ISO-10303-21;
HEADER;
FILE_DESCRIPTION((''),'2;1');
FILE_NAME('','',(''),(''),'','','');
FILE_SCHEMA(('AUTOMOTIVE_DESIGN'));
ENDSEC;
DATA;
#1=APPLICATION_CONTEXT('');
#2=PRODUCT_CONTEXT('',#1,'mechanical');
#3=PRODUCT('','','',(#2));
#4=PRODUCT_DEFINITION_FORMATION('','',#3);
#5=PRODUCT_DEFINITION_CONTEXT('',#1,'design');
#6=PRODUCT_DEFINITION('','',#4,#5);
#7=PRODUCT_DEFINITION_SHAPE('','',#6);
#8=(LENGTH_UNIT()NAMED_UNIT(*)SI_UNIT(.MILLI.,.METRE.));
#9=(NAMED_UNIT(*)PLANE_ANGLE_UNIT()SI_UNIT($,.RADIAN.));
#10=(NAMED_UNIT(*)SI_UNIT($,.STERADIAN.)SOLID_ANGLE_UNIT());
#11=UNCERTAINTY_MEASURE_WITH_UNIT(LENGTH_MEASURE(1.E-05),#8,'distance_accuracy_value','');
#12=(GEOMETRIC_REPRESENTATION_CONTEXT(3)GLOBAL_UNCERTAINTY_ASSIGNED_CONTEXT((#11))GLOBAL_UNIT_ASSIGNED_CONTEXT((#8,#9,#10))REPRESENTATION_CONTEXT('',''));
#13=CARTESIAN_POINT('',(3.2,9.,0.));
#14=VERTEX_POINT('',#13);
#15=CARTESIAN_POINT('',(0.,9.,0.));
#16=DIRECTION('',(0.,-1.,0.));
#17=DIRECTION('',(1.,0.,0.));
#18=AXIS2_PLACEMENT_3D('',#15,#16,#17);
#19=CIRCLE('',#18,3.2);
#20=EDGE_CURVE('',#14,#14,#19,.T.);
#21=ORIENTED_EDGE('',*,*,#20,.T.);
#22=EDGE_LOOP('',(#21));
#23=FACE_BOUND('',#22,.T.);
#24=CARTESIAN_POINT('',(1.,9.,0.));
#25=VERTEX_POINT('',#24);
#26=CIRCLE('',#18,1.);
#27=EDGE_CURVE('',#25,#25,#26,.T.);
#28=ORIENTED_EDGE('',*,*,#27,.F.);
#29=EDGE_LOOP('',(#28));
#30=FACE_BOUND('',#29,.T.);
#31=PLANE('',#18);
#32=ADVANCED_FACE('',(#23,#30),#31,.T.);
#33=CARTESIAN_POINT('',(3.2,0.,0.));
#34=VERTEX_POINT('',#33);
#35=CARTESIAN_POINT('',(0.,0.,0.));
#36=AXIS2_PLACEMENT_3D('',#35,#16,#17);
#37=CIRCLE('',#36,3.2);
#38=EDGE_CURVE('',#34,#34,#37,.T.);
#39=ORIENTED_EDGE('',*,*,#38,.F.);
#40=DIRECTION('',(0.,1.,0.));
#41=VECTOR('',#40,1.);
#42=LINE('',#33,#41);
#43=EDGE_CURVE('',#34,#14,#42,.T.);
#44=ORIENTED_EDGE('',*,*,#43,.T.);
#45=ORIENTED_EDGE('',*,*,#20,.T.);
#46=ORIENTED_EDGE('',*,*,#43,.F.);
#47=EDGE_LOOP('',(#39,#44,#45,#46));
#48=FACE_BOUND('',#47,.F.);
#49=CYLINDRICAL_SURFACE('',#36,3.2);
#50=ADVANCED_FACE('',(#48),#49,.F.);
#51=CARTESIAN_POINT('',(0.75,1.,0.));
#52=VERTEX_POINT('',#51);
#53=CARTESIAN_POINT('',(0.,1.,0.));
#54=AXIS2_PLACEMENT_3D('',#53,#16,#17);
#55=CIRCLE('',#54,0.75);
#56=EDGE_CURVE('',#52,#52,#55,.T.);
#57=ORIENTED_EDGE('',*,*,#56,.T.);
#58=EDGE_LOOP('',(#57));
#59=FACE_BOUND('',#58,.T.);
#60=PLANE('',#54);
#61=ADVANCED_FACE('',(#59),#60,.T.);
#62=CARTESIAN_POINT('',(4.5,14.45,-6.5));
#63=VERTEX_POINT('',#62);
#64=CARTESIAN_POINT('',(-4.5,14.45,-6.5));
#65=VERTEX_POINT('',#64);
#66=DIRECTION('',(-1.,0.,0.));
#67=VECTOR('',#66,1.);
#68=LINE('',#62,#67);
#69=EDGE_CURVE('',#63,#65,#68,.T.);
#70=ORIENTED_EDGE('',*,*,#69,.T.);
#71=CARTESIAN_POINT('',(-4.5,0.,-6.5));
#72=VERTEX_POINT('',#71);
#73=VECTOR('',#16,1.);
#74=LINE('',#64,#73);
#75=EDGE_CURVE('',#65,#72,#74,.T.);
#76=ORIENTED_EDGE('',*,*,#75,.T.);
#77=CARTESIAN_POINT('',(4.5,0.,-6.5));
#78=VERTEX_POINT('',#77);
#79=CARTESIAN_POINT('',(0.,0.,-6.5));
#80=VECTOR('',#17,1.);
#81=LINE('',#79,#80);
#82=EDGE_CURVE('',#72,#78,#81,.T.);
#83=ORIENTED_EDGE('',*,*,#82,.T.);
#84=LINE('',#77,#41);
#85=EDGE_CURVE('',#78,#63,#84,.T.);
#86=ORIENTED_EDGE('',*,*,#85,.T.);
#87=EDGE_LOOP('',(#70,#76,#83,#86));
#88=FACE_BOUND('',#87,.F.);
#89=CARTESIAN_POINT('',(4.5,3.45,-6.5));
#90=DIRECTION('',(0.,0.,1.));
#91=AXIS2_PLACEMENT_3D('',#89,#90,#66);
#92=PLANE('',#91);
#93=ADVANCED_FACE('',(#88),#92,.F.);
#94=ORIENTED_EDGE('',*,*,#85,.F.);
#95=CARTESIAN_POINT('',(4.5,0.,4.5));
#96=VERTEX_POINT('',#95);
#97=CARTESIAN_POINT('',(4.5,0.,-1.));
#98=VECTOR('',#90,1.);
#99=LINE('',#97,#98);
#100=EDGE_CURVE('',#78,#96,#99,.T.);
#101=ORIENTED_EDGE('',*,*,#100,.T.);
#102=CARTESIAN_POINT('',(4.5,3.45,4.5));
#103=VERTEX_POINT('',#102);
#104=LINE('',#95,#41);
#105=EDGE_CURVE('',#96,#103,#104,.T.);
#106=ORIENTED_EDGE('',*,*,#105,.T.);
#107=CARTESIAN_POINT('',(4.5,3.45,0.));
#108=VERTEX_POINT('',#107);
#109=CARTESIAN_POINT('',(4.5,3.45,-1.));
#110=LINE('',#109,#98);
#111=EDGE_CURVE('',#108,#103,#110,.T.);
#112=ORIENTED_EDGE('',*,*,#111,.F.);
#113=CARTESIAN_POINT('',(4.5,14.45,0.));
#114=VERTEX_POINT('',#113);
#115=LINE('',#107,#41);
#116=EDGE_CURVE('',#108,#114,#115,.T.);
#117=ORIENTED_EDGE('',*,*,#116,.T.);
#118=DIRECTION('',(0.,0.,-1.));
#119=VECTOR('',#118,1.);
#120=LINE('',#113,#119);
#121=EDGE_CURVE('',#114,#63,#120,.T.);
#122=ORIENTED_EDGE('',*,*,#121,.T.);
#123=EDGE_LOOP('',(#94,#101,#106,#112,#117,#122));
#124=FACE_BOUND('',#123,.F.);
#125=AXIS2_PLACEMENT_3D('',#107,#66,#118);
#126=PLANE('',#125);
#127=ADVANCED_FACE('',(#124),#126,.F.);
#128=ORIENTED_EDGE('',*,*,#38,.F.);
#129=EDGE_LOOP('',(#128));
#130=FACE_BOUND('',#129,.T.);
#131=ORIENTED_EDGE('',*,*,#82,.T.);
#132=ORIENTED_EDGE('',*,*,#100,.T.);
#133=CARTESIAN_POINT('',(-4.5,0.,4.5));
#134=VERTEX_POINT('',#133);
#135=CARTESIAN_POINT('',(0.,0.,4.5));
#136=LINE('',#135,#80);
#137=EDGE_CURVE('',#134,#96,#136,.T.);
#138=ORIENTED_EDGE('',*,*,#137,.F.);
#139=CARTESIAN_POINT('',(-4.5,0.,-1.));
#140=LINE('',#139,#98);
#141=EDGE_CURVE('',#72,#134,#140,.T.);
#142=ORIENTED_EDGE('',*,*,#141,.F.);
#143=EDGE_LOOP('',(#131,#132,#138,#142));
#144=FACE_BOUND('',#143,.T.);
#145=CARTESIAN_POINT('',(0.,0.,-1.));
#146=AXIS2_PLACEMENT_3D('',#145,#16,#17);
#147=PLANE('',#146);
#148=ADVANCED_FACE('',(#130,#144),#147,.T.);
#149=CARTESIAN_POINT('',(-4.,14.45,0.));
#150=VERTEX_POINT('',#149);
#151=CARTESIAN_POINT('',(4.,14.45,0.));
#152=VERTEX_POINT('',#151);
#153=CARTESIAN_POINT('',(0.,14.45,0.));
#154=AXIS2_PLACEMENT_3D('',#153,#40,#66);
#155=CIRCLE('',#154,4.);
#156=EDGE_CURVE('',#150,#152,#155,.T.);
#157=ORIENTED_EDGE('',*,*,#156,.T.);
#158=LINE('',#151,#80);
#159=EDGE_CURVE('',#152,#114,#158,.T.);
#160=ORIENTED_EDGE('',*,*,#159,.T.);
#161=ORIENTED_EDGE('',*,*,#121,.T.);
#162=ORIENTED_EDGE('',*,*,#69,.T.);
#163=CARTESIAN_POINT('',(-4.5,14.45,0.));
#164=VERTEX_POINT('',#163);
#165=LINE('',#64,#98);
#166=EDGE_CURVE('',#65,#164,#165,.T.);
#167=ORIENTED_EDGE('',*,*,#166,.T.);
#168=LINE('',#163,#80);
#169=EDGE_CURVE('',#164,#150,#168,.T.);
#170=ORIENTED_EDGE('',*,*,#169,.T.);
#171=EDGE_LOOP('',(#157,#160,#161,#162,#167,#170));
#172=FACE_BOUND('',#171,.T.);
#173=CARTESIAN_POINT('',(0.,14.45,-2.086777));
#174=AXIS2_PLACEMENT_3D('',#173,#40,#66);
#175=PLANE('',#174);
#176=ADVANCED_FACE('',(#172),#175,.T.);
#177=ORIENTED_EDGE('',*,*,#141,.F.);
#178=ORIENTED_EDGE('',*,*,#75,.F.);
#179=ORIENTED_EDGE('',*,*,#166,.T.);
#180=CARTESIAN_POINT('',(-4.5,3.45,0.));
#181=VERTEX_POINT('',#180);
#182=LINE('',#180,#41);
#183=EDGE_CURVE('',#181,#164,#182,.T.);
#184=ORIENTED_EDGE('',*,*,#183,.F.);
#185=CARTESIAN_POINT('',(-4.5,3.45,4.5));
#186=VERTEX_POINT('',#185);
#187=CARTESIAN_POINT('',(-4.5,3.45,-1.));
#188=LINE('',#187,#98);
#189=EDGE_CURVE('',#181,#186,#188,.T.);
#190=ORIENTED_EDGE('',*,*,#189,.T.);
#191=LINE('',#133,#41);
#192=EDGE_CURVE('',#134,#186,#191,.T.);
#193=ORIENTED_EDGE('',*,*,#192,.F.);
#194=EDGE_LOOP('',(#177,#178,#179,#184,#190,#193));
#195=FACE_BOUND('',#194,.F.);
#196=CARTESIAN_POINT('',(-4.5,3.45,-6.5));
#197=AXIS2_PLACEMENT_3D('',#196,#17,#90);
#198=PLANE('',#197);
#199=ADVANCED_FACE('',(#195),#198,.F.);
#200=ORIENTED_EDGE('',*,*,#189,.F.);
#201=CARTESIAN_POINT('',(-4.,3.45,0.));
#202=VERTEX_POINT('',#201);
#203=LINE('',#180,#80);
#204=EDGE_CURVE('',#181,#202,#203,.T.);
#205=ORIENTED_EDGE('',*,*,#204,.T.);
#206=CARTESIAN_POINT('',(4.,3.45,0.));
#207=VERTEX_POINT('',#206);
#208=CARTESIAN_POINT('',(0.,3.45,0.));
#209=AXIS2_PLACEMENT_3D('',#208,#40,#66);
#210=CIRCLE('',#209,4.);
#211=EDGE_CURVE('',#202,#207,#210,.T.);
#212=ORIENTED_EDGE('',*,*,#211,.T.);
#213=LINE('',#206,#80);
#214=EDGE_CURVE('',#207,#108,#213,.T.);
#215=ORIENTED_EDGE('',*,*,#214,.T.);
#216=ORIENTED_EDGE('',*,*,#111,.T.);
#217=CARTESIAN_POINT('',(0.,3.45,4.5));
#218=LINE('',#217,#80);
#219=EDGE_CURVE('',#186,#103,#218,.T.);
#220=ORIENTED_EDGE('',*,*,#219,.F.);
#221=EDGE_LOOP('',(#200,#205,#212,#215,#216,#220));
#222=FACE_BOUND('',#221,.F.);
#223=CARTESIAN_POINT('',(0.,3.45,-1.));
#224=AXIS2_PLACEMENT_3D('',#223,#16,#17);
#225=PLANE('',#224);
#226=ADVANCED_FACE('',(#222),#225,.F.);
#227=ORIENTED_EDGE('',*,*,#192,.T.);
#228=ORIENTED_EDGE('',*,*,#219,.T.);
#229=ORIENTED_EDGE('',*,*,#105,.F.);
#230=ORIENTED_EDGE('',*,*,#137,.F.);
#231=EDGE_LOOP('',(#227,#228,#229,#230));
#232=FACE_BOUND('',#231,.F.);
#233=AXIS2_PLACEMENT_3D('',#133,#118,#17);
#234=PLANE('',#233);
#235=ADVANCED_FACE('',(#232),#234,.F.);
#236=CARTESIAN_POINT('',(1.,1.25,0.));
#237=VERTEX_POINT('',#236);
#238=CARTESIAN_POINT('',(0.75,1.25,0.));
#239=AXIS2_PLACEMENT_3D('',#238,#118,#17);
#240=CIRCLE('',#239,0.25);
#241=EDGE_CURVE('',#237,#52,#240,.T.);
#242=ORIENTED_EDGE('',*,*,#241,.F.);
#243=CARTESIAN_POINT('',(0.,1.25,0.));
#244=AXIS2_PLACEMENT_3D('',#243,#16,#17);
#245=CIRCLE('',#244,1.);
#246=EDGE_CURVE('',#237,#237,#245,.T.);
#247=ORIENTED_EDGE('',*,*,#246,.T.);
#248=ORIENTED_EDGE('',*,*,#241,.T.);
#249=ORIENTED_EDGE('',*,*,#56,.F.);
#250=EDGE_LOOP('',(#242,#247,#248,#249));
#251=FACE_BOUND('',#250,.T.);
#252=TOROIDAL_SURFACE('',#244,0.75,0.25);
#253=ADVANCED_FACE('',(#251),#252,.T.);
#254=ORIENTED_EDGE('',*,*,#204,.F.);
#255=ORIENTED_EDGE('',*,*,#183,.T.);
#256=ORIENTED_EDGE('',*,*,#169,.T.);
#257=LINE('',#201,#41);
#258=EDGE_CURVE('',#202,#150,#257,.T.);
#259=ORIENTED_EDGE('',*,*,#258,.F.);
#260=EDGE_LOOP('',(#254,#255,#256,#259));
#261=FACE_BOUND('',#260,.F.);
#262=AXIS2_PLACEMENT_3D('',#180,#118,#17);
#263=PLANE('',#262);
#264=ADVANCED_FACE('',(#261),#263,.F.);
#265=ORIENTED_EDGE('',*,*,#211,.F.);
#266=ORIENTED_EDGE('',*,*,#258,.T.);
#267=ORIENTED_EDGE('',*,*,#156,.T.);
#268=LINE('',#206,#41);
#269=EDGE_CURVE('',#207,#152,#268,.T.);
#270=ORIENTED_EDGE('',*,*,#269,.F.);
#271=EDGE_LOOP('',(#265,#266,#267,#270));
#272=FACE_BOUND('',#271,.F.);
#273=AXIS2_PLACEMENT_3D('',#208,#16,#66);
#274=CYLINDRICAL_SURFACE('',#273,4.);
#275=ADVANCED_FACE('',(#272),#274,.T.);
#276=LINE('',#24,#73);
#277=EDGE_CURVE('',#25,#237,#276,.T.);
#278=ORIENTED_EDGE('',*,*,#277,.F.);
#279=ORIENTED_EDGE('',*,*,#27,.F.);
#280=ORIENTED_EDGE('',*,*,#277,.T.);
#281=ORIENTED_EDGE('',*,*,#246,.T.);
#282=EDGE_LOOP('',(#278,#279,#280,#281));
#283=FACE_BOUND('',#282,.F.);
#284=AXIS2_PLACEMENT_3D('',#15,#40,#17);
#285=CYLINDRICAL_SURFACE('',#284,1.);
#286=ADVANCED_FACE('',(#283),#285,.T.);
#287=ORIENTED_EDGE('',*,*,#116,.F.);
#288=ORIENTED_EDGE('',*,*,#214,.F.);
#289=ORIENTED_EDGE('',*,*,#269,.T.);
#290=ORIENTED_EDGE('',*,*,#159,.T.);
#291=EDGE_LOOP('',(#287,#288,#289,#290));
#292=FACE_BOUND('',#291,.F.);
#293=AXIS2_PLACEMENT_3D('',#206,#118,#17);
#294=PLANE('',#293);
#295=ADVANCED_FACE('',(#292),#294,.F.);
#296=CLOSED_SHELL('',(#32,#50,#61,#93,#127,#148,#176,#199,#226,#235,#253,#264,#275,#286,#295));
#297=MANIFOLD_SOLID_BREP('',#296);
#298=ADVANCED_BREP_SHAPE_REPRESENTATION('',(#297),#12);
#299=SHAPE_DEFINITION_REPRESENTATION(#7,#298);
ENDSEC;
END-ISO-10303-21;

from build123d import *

# Parameters (mm, degrees)
F0_W     = 9
F0_H     = 11
F1_DEPTH = 3.45
F3_DEPTH = 11
F4_R     = 3.2
F5_DEPTH = 9
F6_R     = 1
F7_DEPTH = 8
F8_R     = 0.25


with BuildPart() as f1:
    # F0 (on Front) → F1 (new body)
    with BuildSketch(Plane.XZ):
        with Locations((0, -1)):
            Rectangle(F0_W, F0_H)
    extrude(amount=-F1_DEPTH)

    # F2 (on face) → F3 (join)
    with BuildSketch(Plane(origin=(0, 3.45, 0), x_dir=(-1, 0, 0), z_dir=(0, 1, 0))):
        with BuildLine():
            ThreePointArc((4, 0), (0, 4), (-4, 0))
            Line((-4, 0), (-4.5, 0))
            Line((-4.5, 0), (-4.5, -6.5))
            Line((-4.5, -6.5), (4.5, -6.5))
            Line((4.5, -6.5), (4.5, 0))
            Line((4.5, 0), (4, 0))
        make_face()
    extrude(amount=F3_DEPTH)

    # F4 (on face) → F5 (cut)
    with BuildSketch(Plane.XZ):
        Circle(F4_R)
    extrude(amount=-F5_DEPTH, mode=Mode.SUBTRACT)

    # F6 (on face) → F7 (join)
    with BuildSketch(Plane.XZ.offset(-9)):
        Circle(F6_R)
    extrude(amount=F7_DEPTH)

    # F8
    f8_edges = [f1.edges().sort_by_distance(p)[0] for p in [
        (-1, 1, 0),
    ]]
    fillet(f8_edges, radius=F8_R)


solid = f1.part
